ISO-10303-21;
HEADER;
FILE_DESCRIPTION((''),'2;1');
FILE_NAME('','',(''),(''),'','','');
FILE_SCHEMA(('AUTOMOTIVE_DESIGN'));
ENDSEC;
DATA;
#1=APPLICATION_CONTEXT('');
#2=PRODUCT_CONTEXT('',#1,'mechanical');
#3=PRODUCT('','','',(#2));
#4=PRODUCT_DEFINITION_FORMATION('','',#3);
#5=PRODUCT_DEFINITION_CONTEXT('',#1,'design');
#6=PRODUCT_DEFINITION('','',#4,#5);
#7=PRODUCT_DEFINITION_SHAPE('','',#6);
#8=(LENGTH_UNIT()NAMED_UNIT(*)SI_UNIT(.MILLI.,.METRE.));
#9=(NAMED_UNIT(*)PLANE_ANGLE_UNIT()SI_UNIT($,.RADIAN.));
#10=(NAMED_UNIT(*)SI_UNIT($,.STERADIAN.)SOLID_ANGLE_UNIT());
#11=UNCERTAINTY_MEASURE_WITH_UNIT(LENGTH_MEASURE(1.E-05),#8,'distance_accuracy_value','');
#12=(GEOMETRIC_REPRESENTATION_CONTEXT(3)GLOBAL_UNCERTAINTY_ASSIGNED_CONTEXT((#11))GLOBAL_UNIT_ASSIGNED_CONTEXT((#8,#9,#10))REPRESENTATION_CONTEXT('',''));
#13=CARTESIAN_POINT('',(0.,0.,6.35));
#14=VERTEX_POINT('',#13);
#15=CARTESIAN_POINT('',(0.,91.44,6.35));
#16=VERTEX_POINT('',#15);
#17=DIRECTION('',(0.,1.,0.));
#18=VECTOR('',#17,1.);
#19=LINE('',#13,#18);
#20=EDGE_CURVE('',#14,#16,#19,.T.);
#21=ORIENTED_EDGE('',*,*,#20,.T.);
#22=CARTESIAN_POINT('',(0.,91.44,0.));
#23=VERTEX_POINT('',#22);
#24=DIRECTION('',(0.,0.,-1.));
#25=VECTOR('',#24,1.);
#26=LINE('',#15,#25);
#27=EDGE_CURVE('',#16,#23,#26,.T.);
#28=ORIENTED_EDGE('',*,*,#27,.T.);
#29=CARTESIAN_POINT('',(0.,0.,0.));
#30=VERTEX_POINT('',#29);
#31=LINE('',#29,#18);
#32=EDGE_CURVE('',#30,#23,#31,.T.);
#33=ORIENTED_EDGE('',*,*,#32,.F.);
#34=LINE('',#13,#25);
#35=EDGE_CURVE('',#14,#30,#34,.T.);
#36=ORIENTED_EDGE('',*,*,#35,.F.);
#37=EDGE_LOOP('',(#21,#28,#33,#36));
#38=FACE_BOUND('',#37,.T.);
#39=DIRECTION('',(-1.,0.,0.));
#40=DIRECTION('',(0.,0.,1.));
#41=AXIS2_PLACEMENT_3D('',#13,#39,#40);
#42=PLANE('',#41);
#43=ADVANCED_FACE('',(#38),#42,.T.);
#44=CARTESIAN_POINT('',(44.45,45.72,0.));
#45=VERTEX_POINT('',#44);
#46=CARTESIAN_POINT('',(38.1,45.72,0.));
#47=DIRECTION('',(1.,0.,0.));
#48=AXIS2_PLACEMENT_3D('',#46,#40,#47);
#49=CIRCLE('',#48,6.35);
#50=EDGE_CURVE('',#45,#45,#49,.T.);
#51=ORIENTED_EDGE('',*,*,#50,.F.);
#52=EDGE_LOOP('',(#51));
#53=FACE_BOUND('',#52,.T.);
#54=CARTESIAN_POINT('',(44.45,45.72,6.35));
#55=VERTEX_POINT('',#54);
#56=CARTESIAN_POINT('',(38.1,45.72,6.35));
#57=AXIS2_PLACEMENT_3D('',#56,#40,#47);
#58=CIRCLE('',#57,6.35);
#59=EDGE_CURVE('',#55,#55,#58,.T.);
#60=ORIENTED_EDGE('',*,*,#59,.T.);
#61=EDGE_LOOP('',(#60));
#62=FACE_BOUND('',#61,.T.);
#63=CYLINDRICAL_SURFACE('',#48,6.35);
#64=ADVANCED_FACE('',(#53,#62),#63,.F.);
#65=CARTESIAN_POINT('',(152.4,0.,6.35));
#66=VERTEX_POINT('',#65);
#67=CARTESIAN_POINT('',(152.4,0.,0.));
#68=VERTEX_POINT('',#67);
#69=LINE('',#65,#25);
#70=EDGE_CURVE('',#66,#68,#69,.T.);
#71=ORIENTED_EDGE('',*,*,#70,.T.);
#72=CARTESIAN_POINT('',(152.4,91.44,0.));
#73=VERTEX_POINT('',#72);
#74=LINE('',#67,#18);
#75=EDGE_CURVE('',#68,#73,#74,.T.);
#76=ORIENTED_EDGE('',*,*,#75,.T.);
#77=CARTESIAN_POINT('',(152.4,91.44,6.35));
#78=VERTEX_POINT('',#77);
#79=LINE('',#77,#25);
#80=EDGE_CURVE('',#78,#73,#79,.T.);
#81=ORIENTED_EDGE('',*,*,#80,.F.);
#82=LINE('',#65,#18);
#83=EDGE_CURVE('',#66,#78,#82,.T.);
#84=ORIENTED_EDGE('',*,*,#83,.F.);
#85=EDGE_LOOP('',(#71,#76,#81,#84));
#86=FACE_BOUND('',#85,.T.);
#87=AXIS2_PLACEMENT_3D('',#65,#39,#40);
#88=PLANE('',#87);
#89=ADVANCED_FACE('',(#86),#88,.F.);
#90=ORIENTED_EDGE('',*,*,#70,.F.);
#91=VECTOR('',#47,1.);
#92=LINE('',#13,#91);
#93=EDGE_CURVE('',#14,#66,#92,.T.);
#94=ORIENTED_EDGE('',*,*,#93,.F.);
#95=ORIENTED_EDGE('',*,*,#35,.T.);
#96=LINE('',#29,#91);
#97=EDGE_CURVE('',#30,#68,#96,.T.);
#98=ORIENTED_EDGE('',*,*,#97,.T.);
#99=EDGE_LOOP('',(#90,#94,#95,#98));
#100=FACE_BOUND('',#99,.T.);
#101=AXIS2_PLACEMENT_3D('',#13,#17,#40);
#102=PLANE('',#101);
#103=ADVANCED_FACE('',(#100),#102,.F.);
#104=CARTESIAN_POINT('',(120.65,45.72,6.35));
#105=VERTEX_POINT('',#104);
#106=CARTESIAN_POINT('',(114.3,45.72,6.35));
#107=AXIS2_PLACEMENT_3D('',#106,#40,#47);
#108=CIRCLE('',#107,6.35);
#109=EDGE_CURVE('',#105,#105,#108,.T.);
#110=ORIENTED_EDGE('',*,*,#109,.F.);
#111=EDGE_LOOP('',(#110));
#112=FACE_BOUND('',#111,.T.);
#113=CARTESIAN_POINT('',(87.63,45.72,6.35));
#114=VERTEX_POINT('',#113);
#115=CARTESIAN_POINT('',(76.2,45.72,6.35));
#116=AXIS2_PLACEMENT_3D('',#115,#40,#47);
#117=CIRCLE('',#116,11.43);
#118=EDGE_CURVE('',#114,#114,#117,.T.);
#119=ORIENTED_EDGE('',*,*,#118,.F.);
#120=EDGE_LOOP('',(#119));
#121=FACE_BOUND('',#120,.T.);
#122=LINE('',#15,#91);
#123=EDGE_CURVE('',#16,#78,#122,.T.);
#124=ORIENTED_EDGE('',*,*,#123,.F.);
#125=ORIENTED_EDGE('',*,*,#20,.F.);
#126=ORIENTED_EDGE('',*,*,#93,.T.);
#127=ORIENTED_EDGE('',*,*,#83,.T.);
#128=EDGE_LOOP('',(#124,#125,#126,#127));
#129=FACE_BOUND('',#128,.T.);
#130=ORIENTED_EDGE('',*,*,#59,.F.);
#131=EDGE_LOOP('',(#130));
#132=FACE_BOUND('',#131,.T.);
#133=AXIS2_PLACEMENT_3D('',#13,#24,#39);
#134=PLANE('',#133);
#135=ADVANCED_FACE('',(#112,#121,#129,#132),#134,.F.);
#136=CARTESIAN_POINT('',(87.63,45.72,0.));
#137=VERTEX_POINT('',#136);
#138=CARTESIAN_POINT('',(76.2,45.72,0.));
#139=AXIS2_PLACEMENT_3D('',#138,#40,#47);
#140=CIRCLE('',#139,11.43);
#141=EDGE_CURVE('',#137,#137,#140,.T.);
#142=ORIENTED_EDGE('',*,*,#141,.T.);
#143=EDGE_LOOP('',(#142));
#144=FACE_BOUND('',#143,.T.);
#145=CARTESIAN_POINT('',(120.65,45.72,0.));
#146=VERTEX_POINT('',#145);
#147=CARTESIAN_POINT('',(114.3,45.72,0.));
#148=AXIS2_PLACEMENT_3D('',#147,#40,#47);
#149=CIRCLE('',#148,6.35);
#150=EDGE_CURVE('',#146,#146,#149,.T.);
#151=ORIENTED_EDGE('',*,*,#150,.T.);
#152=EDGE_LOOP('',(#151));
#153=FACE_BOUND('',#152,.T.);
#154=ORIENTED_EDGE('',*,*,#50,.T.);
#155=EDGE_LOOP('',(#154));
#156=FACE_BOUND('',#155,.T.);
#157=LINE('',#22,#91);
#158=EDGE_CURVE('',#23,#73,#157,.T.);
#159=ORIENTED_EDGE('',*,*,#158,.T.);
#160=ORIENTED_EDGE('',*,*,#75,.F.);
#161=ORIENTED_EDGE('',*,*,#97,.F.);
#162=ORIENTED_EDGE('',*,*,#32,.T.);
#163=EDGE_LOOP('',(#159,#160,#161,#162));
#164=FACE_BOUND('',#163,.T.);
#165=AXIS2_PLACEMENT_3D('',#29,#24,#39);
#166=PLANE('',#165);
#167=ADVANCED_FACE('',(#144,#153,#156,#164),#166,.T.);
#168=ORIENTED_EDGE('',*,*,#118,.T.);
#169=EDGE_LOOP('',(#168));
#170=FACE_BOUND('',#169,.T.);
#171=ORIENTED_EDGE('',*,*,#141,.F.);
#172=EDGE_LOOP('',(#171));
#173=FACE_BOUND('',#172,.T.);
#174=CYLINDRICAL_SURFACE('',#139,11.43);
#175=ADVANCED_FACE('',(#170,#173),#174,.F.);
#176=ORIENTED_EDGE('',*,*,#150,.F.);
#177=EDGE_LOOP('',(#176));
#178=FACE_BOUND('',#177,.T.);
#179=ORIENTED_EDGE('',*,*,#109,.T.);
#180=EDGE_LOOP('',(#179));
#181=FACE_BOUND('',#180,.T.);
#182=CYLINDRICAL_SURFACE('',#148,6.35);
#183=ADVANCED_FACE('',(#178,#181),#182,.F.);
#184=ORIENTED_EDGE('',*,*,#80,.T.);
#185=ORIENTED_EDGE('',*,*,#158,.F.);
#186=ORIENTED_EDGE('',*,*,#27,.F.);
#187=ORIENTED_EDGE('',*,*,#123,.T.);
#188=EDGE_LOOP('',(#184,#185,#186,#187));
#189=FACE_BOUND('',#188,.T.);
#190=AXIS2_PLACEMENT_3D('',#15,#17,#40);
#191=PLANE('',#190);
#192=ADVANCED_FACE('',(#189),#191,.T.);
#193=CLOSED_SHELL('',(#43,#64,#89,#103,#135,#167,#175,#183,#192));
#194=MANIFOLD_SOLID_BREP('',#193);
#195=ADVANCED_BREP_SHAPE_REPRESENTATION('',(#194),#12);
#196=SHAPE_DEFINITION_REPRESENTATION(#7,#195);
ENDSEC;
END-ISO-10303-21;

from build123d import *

# Parameters (mm, degrees)
SKETCH1_W           = 152.4
SKETCH1_H           = 91.44
BOSS_EXTRUDE1_DEPTH = 6.35
SKETCH2_R           = 11.43
SKETCH2_R_2         = 6.35
CUT_EXTRUDE1_DEPTH  = 6.35


with BuildPart() as part:
    # Sketch1 → Boss-Extrude1 (new body)
    with BuildSketch(Plane.XY):
        with Locations((76.2, 45.72)):
            Rectangle(SKETCH1_W, SKETCH1_H)
    extrude(amount=BOSS_EXTRUDE1_DEPTH)

    # Sketch2 → Cut-Extrude1 (cut)
    with BuildSketch(Plane.XY.offset(6.35)):
        with Locations((76.2, 45.72)):
            Circle(SKETCH2_R)
        with Locations((114.3, 45.72)):
            Circle(SKETCH2_R_2)
        with Locations((38.1, 45.72)):
            Circle(SKETCH2_R_2)
    extrude(amount=-CUT_EXTRUDE1_DEPTH, mode=Mode.SUBTRACT)


solid = part.part
